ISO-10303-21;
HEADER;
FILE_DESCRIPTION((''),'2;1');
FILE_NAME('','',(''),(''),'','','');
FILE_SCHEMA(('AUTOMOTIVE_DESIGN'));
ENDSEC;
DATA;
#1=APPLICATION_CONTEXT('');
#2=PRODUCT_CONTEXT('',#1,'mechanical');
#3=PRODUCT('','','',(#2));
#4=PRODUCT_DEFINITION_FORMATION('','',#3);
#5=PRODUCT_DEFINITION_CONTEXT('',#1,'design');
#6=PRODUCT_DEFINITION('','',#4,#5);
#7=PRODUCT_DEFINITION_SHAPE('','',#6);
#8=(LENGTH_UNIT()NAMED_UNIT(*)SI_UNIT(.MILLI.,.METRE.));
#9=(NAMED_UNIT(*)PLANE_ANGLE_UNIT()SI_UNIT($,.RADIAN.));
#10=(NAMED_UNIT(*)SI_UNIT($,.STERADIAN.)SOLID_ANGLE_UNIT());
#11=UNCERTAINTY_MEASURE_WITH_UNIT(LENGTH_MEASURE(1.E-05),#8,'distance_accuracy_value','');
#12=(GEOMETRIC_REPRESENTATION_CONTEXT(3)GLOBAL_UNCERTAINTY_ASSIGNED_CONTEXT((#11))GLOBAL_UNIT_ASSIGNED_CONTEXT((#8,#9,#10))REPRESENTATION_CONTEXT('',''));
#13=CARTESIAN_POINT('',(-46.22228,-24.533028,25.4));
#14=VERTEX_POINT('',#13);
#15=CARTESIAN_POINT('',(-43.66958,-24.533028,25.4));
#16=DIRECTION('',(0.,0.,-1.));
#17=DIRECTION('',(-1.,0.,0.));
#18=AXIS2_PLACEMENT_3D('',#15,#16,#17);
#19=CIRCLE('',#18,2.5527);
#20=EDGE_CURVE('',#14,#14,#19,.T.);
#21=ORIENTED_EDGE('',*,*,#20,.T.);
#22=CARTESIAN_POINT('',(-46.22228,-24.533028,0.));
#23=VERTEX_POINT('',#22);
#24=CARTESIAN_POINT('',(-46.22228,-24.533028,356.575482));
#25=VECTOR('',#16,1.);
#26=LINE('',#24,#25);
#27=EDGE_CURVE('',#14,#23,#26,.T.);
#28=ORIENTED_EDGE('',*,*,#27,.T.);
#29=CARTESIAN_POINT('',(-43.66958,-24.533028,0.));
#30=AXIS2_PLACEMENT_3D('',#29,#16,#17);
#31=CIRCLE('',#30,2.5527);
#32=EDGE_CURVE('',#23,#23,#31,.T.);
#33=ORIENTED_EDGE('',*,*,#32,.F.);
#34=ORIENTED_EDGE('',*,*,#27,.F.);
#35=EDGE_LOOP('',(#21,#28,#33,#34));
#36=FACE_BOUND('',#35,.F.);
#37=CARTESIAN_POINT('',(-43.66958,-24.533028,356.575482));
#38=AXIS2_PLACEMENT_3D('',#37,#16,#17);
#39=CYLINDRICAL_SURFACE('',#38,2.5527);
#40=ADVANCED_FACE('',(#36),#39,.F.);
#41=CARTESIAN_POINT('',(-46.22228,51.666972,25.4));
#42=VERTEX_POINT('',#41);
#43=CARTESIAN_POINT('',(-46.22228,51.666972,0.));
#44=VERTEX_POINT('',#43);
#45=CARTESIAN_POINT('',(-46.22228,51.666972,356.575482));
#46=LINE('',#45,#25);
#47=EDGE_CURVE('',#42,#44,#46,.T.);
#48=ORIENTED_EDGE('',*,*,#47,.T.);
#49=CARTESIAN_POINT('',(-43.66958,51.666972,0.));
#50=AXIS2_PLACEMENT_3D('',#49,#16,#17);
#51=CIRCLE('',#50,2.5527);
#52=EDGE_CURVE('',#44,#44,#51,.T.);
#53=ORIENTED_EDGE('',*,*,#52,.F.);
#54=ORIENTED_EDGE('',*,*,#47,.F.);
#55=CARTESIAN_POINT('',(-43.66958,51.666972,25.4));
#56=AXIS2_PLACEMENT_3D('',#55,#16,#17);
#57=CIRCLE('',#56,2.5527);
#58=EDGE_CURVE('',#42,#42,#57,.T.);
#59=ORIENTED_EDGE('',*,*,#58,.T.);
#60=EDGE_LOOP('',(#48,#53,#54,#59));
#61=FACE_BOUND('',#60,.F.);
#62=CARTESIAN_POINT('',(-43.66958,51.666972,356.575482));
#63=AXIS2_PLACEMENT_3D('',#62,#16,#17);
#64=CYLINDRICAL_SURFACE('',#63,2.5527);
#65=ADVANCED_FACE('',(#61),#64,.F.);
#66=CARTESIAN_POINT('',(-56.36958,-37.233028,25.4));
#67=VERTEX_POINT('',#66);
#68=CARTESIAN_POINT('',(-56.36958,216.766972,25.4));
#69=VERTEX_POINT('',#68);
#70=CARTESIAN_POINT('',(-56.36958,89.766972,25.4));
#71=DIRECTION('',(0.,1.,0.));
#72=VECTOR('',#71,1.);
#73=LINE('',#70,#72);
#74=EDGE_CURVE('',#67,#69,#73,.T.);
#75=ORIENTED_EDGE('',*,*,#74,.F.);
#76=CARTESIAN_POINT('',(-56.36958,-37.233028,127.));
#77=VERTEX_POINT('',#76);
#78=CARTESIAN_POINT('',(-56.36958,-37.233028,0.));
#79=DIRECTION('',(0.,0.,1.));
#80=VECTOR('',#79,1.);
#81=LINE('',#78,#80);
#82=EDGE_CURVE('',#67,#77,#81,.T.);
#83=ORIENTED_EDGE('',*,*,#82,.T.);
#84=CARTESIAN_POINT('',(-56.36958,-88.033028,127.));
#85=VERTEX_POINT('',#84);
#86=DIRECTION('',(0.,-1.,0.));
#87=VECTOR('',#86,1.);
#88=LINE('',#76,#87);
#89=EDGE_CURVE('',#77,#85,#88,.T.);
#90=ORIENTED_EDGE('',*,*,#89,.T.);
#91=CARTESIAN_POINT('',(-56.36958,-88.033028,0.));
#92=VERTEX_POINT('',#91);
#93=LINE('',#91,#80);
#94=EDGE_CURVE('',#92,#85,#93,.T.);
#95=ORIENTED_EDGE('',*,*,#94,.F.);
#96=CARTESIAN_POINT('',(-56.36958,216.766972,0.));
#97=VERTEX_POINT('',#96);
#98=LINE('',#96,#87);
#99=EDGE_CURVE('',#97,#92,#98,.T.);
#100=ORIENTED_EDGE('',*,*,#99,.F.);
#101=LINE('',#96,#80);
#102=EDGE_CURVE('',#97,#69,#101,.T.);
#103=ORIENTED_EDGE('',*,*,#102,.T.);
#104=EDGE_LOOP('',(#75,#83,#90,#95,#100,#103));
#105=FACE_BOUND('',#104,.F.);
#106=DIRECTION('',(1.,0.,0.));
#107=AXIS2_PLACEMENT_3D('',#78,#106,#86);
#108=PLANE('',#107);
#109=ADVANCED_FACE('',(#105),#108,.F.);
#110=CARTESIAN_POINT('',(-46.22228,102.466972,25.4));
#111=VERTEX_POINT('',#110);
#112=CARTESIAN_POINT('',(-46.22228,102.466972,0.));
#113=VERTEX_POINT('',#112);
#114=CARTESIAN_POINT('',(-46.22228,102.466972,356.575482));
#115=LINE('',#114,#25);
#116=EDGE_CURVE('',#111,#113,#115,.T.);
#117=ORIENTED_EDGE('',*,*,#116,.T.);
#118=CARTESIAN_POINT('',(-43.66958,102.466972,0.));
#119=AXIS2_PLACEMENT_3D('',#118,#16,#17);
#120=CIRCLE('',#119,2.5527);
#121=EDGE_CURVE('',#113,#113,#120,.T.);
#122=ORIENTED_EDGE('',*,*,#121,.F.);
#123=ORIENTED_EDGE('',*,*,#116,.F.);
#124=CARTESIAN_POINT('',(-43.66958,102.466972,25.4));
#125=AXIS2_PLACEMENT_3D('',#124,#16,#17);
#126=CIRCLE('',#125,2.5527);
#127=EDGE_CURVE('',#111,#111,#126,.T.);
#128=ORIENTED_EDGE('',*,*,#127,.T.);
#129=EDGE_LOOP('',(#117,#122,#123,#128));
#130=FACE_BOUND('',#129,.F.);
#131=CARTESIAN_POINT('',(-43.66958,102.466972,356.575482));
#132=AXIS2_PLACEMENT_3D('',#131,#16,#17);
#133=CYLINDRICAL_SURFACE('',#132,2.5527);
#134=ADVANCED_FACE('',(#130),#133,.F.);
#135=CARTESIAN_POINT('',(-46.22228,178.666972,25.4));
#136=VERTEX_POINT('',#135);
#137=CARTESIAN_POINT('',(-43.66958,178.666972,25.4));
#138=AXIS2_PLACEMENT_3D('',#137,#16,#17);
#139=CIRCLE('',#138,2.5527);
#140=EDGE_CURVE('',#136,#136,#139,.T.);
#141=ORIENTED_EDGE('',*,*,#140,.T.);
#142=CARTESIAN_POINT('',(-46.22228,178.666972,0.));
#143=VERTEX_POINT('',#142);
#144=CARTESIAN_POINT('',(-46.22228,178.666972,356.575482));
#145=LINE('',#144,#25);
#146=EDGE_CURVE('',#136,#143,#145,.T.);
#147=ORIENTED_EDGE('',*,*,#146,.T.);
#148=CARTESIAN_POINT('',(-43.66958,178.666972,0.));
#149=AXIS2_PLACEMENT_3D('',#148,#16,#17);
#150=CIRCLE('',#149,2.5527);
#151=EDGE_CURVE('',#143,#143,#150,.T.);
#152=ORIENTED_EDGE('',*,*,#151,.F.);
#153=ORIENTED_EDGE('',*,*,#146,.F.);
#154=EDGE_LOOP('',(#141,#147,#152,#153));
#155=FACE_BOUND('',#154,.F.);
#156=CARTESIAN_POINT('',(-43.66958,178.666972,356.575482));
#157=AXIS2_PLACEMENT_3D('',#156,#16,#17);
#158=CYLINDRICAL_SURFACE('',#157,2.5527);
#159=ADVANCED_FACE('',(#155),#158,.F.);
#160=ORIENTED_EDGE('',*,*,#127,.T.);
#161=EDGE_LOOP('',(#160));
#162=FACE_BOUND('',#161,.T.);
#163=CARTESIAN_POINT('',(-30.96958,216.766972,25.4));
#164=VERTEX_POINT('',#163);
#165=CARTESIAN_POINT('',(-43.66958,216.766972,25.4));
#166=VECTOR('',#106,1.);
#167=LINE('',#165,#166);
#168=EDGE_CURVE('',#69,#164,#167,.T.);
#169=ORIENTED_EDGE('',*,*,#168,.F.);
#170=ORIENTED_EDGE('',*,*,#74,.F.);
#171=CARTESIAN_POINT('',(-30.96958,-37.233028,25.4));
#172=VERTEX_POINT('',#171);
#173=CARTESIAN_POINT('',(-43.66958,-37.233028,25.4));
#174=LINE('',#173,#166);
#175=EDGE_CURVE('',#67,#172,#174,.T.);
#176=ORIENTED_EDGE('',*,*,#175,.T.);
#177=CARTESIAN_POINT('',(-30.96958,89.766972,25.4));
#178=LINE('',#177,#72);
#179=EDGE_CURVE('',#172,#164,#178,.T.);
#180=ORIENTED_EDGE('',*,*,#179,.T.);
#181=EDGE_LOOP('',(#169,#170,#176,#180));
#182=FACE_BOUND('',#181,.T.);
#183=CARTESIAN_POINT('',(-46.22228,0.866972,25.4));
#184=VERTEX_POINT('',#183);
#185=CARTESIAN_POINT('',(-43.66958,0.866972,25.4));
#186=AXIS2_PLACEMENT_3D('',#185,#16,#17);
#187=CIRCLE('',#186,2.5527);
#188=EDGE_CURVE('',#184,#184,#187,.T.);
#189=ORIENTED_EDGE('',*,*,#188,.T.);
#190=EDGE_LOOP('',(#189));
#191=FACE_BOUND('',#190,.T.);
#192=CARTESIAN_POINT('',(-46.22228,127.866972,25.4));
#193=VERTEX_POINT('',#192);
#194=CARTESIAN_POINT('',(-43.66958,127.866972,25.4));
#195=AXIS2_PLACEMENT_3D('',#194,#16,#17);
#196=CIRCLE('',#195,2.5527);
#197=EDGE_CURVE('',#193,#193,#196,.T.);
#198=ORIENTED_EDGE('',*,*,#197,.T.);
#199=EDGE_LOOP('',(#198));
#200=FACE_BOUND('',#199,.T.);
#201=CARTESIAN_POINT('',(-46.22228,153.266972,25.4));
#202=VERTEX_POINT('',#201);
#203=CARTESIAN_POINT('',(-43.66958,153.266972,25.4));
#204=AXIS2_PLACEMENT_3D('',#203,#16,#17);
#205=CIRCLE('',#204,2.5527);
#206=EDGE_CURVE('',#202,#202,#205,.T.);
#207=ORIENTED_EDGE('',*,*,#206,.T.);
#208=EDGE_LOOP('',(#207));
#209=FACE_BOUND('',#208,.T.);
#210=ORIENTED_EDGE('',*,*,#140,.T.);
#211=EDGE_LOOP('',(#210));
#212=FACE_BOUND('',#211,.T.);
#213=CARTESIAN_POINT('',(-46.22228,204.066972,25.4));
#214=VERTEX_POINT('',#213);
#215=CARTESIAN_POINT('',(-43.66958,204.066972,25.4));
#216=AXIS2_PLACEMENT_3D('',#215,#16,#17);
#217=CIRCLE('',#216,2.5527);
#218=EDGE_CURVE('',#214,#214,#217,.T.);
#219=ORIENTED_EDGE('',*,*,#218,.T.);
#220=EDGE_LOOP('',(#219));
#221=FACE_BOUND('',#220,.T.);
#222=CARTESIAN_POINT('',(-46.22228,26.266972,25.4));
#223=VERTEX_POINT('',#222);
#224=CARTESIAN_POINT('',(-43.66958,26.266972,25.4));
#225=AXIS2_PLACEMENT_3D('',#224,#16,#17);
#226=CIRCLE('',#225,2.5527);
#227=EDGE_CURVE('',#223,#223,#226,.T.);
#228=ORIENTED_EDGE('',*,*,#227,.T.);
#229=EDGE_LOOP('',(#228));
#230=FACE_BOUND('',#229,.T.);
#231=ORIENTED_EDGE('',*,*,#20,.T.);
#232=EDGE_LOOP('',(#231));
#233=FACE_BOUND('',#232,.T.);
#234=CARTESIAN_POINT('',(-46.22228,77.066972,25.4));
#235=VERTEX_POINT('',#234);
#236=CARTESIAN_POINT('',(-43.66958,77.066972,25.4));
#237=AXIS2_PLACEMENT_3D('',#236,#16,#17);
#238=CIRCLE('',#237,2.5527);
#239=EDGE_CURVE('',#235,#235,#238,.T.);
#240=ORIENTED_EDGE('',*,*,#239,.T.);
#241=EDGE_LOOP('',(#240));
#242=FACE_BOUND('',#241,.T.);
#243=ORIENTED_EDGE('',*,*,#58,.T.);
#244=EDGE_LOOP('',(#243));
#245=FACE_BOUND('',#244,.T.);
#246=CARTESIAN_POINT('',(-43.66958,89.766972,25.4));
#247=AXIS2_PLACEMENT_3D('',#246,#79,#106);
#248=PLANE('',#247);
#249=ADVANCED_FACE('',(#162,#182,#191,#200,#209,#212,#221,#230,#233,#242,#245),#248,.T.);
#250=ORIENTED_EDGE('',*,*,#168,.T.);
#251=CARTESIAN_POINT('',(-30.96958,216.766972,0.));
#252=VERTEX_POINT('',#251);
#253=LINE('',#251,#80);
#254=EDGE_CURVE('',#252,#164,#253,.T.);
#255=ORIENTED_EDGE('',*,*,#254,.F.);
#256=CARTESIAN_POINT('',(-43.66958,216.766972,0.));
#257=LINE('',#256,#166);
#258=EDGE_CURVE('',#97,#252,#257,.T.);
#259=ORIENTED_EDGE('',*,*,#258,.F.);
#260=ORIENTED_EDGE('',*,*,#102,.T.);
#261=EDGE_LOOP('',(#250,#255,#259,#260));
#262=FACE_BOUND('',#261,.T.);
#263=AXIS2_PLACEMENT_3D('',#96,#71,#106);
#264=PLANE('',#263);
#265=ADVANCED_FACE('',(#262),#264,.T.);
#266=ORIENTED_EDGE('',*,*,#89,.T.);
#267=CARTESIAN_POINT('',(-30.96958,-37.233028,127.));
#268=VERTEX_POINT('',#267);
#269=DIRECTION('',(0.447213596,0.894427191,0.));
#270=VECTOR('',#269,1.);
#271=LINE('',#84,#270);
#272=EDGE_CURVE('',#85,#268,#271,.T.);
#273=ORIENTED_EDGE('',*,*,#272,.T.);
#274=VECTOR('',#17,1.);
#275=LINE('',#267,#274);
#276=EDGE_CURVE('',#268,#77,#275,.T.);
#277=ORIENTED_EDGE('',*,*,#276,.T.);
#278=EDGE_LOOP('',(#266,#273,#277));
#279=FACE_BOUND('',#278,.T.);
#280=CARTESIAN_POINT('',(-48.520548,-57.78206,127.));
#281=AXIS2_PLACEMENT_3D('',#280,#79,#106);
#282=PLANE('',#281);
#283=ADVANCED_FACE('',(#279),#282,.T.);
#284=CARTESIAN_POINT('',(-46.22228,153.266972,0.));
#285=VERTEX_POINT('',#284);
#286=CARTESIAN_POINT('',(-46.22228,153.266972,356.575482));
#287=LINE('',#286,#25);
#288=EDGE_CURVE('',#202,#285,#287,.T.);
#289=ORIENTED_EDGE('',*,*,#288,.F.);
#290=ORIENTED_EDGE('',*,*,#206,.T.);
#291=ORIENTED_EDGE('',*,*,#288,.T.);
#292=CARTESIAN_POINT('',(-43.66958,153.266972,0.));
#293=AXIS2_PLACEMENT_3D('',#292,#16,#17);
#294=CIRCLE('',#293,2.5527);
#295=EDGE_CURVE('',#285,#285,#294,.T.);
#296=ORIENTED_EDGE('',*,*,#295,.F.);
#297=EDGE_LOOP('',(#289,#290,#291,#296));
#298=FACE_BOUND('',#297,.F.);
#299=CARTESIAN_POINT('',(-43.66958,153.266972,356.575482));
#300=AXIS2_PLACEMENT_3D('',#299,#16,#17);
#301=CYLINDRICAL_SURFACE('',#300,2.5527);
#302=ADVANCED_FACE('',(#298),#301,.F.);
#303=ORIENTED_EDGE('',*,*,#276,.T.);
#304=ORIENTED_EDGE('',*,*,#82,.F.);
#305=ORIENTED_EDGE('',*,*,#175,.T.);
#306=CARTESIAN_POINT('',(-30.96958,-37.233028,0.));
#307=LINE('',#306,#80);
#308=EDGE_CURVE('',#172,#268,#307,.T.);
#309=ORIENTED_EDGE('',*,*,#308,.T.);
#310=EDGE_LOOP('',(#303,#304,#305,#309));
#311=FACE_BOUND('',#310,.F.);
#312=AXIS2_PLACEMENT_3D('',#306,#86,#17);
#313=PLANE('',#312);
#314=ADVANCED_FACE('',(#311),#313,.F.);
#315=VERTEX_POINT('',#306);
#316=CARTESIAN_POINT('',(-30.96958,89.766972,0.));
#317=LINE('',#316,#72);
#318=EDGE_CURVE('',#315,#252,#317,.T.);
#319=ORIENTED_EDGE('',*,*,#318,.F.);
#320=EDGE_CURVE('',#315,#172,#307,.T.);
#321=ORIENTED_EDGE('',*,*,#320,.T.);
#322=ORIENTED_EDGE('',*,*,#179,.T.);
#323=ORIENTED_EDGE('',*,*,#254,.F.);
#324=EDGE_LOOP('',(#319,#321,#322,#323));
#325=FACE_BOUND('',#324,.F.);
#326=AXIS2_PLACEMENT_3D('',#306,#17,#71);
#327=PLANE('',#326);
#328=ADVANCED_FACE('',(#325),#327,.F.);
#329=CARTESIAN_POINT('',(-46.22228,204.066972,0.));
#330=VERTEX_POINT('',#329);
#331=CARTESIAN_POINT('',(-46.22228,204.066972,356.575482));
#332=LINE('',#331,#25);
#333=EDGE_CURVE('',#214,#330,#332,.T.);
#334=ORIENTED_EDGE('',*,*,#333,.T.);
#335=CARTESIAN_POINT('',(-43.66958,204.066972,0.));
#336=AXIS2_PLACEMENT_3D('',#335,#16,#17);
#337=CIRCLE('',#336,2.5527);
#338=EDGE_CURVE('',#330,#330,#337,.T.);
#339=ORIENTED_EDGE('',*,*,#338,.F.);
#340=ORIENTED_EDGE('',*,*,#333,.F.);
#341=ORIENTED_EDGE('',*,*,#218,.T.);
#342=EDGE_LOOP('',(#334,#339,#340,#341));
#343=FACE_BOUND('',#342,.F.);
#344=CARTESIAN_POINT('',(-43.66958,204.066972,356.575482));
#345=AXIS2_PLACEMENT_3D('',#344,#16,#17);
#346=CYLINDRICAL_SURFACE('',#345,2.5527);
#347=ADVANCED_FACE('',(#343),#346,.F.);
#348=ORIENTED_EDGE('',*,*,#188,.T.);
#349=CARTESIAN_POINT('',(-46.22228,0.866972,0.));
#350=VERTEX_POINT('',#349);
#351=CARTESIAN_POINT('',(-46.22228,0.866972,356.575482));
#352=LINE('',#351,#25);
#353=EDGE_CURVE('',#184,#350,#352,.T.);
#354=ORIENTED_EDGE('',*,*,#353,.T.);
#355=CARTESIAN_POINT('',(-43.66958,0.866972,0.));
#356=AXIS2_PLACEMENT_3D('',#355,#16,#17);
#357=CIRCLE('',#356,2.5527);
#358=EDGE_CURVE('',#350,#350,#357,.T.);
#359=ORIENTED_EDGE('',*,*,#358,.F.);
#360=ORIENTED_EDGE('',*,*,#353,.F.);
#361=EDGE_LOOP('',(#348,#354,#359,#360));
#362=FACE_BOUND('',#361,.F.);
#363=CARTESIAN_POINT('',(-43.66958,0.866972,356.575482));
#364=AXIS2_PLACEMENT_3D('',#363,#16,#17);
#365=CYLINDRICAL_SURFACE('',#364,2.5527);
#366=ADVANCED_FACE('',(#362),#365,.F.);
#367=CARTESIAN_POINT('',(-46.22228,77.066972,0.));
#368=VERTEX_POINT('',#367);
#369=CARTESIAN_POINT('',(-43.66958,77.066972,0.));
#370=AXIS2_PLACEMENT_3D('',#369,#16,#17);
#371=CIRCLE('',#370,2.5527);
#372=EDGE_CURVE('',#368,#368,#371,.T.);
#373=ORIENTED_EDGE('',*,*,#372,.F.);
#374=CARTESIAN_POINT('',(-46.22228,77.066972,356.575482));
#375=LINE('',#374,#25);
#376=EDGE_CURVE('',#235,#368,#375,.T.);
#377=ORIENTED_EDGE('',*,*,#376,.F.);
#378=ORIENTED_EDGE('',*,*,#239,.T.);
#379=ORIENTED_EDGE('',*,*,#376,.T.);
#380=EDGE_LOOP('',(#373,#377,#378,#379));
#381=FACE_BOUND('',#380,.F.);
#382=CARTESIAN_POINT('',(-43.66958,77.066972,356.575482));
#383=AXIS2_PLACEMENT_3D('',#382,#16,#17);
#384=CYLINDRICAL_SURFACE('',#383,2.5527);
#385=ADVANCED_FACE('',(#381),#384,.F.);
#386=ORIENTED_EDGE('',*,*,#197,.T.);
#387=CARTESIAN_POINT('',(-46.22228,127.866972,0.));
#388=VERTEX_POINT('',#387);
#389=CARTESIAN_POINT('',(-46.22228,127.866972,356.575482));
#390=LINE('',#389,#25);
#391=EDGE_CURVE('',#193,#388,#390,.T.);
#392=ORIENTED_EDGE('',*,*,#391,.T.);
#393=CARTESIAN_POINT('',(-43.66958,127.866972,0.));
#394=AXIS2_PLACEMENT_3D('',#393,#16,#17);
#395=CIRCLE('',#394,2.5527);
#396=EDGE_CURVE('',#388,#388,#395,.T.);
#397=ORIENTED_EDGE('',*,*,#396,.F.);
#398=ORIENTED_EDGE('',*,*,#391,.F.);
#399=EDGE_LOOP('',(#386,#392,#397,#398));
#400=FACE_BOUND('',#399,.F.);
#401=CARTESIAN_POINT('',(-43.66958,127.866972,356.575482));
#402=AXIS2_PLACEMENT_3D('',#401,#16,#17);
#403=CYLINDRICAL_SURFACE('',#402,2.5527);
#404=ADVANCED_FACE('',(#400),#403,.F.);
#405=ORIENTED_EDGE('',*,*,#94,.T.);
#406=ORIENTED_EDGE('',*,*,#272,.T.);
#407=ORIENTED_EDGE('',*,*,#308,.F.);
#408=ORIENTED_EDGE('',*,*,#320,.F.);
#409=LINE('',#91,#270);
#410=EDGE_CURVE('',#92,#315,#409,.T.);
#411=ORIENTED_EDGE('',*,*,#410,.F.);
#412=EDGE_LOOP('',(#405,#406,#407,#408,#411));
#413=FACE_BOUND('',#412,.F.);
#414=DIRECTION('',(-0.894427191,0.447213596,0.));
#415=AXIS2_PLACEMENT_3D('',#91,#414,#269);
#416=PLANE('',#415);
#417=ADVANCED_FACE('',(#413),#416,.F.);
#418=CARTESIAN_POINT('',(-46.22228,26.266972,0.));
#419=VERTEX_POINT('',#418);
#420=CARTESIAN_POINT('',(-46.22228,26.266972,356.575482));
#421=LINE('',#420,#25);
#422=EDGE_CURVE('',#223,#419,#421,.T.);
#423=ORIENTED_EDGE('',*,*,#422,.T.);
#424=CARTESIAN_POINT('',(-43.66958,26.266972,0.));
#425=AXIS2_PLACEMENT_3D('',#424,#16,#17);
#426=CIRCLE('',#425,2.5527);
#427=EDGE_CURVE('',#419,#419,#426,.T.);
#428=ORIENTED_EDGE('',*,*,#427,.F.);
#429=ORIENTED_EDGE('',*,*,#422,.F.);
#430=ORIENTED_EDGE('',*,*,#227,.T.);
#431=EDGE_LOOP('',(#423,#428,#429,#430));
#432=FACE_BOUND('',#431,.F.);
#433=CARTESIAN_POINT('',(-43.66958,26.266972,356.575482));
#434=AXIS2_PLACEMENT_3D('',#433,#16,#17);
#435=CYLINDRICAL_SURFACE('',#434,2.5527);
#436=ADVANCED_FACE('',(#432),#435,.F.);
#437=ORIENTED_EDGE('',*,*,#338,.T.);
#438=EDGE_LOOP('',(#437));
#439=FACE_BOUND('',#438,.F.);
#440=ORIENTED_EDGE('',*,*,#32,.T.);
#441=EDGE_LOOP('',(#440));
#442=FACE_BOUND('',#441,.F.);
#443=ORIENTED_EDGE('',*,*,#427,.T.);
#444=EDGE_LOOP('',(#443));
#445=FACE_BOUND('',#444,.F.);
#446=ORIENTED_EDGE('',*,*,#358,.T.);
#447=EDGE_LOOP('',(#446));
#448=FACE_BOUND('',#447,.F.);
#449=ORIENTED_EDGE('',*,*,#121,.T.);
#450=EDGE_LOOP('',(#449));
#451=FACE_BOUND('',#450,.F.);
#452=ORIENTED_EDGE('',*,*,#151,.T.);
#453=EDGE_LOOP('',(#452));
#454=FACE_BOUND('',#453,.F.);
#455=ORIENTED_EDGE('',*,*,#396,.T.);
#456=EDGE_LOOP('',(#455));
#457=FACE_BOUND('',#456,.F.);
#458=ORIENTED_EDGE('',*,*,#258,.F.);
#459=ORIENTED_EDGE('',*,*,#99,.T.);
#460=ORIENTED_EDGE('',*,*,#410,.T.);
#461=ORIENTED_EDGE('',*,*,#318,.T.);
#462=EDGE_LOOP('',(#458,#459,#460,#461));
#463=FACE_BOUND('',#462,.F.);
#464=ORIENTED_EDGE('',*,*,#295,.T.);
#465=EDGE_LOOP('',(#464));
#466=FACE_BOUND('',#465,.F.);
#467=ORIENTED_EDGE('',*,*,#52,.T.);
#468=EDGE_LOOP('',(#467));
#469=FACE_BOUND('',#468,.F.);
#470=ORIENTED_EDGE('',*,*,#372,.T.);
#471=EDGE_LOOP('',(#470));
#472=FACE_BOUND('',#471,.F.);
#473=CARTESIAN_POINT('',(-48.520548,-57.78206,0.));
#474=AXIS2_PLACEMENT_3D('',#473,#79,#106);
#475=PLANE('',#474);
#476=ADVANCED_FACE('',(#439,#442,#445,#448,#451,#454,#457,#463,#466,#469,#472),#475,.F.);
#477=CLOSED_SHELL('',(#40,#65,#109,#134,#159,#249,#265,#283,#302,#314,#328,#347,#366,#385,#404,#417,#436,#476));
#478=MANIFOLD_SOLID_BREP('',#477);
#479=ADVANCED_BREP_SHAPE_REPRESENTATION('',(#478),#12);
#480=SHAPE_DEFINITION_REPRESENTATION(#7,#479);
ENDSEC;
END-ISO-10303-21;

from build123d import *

# Parameters (mm, degrees)
F0_W     = 25.4
F0_H     = 254
F1_DEPTH = 25.4
F2_DEPTH = 127
F4_D     = 5.1054


with BuildPart() as f1:
    # F0 (on Top) → F1 (new body)
    with BuildSketch(Plane.XY):
        with Locations((-43.66958, 89.766972)):
            Rectangle(F0_W, F0_H)
    extrude(amount=F1_DEPTH)

    # F0 (on Top) → F2 (join)
    with BuildSketch(Plane.XY):
        Polygon((-30.96958, -37.233028), (-56.36958, -37.233028), (-56.36958, -88.033028), align=None)
    extrude(amount=F2_DEPTH)

    # F4 (through all)
    with Locations(Plane.XY.offset(25.4)):
        with Locations((-43.66958, 204.066972), (-43.66958, 153.266972), (-43.66958, 178.666972), (-43.66958, 127.866972), (-43.66958, 102.466972), (-43.66958, 77.066972), (-43.66958, 0.866972), (-43.66958, 51.666972), (-43.66958, 26.266972), (-43.66958, -24.533028)):
            Hole(F4_D / 2)


solid = f1.part
